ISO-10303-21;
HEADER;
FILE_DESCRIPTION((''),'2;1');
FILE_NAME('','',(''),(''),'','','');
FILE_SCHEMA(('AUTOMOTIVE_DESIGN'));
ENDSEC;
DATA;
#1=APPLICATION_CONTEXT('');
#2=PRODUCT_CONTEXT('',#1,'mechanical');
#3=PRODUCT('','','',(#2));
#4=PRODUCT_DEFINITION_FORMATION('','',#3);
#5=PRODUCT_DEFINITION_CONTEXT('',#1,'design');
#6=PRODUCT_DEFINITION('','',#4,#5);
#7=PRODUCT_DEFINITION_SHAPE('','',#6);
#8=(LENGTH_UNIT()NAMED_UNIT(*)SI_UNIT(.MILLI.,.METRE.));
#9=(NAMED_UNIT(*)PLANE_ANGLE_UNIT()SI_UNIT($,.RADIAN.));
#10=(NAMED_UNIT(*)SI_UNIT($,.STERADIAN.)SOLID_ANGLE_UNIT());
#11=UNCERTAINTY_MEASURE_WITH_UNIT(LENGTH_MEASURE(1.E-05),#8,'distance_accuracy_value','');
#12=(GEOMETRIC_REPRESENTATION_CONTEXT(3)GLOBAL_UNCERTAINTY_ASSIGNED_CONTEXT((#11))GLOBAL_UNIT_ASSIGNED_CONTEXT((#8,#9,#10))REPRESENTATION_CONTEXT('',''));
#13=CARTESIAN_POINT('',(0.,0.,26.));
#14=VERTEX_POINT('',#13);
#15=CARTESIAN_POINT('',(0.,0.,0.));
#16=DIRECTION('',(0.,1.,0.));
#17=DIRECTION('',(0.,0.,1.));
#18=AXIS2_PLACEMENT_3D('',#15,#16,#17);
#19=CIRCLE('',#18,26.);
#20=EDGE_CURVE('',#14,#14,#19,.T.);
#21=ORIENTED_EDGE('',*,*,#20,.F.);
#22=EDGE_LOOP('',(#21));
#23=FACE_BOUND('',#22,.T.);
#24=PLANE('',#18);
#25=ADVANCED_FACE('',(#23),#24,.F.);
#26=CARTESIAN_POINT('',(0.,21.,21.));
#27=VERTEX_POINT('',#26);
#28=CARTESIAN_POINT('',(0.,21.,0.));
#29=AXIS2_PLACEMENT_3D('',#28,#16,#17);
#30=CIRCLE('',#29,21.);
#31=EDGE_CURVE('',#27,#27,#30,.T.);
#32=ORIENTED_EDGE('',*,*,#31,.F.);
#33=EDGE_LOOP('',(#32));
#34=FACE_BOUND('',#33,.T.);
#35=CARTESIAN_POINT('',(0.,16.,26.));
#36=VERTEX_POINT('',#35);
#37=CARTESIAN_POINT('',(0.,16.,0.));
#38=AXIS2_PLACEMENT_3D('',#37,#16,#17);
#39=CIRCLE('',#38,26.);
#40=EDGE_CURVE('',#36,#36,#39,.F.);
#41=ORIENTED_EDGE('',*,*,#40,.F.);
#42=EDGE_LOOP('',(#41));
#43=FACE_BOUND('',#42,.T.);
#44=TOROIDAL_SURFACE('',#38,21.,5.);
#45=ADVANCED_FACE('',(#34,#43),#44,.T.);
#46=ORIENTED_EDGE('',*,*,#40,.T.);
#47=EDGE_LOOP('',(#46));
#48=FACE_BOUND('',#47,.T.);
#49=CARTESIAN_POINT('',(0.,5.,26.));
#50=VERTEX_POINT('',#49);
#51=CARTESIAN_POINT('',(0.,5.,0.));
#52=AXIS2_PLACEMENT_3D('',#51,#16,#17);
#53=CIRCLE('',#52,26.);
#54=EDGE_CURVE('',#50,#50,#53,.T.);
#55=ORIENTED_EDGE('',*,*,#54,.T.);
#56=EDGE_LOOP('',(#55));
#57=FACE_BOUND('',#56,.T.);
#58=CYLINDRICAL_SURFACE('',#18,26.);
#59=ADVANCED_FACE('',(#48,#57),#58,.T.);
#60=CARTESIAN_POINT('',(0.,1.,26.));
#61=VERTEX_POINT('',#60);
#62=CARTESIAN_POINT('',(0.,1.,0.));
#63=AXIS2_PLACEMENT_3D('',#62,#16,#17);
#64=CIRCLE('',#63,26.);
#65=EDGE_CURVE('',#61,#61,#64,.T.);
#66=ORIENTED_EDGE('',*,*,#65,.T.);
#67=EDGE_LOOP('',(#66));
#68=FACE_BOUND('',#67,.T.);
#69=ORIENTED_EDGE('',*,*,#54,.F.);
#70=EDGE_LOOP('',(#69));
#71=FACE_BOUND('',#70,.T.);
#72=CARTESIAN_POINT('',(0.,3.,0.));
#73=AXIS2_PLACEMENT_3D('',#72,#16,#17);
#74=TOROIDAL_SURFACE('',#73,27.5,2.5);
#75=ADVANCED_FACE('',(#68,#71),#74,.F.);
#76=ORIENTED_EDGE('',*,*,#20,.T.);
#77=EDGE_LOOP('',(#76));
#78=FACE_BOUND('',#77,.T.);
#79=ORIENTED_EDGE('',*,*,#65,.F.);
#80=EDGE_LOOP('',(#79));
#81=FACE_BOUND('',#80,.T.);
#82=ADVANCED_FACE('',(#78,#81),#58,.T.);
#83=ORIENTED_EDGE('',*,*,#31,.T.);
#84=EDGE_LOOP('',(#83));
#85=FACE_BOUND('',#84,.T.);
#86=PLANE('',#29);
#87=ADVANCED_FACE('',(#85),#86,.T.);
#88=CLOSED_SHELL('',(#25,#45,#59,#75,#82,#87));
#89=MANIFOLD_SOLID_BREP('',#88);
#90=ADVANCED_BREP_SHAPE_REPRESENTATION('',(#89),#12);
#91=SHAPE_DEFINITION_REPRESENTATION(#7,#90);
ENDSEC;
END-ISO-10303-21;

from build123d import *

# Parameters (mm, degrees)
SKETCH_2_R      = 26
EXTRUDE_1_DEPTH = 15
FILLET_1_R      = 5


with BuildPart() as part:
    # 草图1 → 旋转1 (revolve)
    with BuildSketch(Plane.XY):
        with BuildLine():
            Line((0, 0), (26, 0))
            Line((26, 0), (26, 1))
            ThreePointArc((26, 1), (25, 3), (26, 5))
            Line((26, 5), (26, 6))
            Line((26, 6), (0, 6))
            Line((0, 6), (0, 0))
        make_face()
    revolve(axis=Axis((0, 0, 0), (0, -1, 0)))

    # 草图2 → 凸台-拉伸1 (add)
    with BuildSketch(Plane(origin=(0, 6, 0), x_dir=(1, 0, 0), z_dir=(0, 1, 0))):
        Circle(SKETCH_2_R)
    extrude(amount=EXTRUDE_1_DEPTH)

    # 圆角1
    fillet_1_edges = [part.edges().sort_by_distance(p)[0] for p in [
        (-26, 21, 0),
    ]]
    fillet(fillet_1_edges, radius=FILLET_1_R)


solid = part.part
